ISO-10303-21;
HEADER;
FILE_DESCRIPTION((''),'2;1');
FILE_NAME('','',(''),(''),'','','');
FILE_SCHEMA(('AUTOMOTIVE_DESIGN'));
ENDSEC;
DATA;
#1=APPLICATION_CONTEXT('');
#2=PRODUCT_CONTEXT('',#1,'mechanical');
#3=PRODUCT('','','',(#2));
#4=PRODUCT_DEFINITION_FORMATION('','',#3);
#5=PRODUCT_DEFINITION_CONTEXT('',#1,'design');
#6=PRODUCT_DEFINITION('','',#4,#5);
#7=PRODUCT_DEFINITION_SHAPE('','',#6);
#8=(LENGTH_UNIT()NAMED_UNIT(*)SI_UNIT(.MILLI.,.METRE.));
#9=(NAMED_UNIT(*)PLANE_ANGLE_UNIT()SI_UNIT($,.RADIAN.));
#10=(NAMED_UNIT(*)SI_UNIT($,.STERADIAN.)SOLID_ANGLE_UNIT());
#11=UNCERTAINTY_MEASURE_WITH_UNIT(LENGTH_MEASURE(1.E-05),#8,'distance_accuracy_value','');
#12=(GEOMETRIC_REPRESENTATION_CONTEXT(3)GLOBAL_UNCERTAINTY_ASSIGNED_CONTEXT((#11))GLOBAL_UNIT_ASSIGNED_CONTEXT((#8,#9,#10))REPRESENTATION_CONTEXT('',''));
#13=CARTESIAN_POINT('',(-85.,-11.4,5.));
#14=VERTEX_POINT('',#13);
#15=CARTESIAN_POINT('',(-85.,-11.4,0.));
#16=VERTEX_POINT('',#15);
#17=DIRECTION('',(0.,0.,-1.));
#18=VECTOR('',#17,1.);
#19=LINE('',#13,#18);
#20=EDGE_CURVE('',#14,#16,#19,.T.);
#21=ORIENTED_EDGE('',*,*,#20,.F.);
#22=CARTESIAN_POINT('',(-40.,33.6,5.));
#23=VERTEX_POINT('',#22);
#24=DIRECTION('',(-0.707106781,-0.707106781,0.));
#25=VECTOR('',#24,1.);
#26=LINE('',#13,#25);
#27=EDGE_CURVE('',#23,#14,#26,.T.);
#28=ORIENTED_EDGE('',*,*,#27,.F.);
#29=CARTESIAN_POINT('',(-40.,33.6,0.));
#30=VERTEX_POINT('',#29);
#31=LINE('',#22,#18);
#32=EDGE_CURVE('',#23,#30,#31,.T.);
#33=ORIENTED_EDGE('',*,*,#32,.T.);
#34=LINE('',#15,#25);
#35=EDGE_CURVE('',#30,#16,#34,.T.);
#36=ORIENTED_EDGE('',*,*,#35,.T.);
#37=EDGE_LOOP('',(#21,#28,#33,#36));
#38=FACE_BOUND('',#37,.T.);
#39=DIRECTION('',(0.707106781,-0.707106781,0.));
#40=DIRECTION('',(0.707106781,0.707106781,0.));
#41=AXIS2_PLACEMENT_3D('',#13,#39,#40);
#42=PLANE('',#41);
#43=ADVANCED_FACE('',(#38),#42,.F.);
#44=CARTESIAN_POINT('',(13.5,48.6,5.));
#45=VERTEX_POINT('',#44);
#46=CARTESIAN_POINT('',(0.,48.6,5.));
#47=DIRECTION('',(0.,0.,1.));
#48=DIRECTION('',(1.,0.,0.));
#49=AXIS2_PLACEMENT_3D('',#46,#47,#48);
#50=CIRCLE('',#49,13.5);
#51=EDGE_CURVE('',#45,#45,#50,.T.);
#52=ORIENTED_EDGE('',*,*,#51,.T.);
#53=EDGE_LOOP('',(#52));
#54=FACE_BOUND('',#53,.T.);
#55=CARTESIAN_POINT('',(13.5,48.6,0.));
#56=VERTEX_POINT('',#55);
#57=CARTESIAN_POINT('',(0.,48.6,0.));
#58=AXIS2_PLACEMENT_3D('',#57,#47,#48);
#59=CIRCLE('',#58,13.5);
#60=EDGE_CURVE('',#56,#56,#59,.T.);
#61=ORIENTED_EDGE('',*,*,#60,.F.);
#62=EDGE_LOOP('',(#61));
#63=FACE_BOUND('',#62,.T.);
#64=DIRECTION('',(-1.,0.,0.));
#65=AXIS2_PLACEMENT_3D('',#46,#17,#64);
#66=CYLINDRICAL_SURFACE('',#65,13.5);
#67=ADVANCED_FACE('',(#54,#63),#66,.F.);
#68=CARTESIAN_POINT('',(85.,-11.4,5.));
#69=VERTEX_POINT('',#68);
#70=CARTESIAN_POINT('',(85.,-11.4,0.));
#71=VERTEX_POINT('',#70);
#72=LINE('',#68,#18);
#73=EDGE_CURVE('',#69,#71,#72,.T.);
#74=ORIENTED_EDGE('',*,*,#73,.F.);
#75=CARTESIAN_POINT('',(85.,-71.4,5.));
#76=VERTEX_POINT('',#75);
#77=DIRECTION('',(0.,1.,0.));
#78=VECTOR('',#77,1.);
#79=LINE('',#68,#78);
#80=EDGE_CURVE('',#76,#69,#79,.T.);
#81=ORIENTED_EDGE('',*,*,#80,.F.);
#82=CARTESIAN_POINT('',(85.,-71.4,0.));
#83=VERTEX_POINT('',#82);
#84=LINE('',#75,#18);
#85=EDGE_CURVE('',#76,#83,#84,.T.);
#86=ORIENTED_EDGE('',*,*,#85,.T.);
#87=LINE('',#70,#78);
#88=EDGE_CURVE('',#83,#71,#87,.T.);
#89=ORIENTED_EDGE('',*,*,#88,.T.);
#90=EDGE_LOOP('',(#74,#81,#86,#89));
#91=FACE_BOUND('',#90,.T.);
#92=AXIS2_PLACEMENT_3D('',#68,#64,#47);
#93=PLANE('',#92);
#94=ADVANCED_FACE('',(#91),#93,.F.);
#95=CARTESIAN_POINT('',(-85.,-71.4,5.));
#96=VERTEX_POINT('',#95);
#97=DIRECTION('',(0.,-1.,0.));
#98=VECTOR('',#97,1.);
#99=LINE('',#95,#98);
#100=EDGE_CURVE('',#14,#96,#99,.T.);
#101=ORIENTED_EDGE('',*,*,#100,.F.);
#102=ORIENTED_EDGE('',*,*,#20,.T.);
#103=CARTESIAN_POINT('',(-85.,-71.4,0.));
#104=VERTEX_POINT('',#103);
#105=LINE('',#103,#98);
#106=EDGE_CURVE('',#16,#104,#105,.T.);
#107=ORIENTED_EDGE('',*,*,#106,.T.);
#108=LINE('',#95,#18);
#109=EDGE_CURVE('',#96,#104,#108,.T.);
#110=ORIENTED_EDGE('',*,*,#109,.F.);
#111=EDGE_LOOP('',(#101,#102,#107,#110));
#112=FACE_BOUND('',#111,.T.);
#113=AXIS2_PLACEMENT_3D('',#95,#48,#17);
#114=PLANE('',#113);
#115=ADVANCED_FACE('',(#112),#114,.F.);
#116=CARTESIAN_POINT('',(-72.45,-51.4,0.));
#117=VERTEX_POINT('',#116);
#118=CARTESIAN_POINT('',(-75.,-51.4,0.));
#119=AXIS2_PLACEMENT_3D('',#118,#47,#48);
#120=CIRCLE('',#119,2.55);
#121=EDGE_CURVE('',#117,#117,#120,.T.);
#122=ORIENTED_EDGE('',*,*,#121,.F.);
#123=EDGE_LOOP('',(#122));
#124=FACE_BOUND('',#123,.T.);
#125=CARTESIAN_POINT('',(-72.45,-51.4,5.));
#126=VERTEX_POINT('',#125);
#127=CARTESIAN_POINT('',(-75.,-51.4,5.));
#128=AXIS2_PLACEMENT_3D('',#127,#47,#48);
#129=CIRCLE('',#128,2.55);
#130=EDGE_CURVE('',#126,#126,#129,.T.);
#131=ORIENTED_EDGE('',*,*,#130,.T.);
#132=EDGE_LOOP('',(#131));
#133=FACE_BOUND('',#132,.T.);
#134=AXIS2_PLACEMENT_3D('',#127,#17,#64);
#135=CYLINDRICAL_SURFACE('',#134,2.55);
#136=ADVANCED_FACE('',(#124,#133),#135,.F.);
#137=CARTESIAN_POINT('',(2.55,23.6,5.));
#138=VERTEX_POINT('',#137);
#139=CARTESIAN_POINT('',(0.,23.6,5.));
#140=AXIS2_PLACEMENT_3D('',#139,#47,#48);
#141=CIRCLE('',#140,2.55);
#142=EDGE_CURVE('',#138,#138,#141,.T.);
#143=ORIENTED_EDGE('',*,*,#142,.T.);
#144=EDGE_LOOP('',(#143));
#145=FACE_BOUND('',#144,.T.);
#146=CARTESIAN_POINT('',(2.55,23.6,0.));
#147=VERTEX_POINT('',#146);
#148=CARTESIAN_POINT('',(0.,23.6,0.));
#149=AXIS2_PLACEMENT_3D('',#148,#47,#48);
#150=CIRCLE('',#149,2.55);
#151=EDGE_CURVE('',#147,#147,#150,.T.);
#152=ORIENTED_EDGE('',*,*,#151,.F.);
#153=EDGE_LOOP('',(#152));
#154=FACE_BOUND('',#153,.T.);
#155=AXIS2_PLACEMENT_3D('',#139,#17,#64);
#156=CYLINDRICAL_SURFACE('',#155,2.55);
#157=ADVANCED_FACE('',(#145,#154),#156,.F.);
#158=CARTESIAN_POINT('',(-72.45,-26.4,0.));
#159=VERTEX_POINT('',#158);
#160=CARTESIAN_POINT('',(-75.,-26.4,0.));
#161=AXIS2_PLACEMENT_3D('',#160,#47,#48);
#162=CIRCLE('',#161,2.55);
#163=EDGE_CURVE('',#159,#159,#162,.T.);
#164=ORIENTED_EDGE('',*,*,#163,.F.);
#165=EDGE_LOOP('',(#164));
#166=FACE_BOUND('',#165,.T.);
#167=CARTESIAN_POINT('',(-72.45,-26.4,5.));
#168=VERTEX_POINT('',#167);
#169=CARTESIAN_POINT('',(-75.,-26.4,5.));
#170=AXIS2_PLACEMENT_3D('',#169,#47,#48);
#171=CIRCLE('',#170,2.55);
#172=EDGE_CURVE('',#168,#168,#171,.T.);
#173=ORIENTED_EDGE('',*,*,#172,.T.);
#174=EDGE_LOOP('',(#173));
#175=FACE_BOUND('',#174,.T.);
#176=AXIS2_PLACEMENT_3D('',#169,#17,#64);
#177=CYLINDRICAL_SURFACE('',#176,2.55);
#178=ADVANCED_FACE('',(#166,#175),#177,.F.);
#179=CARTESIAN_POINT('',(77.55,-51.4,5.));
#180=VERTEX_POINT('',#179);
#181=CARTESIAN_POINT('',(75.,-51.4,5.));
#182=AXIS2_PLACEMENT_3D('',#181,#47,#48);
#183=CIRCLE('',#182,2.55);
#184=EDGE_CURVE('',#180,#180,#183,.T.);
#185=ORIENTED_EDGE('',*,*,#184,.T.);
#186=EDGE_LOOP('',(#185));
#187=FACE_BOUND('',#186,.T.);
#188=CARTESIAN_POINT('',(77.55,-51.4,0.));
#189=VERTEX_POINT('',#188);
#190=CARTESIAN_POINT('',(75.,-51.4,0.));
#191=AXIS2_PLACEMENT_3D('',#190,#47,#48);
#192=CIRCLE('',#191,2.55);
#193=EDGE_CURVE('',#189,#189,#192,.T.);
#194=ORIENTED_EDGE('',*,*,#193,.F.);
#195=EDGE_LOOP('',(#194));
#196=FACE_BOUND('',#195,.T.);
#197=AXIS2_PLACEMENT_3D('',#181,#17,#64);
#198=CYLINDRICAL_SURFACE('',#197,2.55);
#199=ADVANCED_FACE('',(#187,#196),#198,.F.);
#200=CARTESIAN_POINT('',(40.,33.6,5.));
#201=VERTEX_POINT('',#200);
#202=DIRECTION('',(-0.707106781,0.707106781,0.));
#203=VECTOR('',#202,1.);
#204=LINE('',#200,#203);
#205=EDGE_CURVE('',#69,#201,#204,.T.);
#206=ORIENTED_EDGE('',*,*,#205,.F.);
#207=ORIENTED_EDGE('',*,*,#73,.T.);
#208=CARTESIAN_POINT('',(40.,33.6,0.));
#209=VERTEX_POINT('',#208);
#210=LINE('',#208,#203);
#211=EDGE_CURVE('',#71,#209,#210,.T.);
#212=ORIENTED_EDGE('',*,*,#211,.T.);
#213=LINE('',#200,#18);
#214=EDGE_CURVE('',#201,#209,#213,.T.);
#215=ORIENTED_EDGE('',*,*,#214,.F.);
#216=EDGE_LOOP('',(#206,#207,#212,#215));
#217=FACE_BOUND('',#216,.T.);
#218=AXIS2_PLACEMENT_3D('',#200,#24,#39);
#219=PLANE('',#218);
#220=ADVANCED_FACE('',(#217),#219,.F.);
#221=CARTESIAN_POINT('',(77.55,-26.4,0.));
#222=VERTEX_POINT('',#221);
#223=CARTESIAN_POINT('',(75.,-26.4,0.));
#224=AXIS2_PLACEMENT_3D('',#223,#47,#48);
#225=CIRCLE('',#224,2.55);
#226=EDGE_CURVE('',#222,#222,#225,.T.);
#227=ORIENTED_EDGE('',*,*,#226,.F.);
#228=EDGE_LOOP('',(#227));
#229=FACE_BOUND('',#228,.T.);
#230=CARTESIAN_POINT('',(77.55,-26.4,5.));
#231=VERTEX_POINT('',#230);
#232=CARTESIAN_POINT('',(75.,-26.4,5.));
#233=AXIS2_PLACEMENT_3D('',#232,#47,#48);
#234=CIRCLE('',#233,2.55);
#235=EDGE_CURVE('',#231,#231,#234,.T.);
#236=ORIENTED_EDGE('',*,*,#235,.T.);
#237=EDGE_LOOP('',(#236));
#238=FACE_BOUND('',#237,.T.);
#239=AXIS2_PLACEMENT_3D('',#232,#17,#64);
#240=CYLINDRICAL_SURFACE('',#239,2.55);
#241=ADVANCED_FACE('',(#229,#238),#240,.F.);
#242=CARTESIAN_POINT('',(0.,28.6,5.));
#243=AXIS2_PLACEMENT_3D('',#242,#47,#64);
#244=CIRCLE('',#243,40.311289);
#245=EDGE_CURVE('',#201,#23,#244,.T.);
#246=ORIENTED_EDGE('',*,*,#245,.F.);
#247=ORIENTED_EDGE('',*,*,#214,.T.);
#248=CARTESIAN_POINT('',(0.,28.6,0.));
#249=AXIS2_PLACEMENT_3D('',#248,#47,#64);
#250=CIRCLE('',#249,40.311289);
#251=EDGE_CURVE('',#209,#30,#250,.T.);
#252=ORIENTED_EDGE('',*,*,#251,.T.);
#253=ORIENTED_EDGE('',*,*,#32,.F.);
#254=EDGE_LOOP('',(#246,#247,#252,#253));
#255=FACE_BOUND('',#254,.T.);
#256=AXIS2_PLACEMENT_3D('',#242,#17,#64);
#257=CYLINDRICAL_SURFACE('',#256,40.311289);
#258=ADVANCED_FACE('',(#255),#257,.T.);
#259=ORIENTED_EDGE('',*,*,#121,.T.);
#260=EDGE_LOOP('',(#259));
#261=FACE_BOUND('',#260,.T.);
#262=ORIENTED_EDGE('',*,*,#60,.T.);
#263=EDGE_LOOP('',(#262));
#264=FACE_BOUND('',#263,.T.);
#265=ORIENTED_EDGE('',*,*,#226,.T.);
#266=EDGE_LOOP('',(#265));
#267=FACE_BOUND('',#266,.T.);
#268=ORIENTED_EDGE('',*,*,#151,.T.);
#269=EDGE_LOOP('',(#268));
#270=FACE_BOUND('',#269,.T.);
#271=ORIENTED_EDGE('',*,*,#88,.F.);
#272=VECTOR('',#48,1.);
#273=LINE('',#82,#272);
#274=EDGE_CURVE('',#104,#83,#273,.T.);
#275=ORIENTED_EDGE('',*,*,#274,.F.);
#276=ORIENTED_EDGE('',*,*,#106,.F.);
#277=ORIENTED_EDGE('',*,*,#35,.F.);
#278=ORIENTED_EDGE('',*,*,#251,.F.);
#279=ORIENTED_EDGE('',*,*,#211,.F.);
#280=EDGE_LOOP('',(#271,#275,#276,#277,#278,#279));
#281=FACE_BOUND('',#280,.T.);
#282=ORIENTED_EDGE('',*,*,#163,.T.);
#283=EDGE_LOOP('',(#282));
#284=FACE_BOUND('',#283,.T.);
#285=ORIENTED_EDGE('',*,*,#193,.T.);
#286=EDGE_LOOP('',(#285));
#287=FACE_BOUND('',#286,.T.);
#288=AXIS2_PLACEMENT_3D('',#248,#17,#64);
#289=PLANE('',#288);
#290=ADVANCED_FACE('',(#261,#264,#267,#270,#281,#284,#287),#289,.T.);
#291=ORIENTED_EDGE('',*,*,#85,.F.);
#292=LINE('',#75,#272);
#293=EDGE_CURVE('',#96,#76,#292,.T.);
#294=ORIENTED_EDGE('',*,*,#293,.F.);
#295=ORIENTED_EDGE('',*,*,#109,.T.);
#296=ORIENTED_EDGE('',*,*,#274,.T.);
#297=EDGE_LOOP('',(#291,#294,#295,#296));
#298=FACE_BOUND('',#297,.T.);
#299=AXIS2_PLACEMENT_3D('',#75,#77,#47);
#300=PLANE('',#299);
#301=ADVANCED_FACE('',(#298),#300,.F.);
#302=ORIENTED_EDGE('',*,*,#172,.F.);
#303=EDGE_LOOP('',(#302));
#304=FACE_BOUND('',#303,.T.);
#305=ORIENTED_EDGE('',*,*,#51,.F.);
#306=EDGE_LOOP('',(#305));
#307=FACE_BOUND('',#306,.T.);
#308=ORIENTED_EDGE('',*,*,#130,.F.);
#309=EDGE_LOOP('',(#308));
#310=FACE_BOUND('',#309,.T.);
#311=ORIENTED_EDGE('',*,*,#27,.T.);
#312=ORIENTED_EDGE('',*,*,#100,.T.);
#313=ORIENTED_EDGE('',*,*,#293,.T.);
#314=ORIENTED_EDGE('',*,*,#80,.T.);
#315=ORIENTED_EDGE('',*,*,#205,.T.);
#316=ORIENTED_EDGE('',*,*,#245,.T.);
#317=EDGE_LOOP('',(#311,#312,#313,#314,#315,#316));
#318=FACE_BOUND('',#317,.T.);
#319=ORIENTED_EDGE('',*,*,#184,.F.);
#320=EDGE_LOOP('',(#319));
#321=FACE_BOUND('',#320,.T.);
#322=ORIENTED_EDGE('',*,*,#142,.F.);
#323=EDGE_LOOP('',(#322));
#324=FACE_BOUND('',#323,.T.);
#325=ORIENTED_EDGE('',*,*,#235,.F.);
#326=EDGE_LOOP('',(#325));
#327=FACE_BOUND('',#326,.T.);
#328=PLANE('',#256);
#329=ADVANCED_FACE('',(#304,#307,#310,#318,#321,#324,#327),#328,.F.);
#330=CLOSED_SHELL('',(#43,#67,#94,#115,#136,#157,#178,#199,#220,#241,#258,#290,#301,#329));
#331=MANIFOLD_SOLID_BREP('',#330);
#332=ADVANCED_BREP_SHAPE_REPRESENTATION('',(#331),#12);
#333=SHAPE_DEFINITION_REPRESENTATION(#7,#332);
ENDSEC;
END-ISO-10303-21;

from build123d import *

# Parameters (mm, degrees)
SKETCH_1_R      = 2.55
SKETCH_1_R_2    = 13.5
EXTRUDE_1_DEPTH = 5


with BuildPart() as part:
    # ｽｹｯﾁ1 → ﾎﾞｽ - 押し出し1 (new body)
    with BuildSketch(Plane.XY):
        with BuildLine():
            Line((-85, -71.4), (-85, -11.4))
            Line((-85, -11.4), (-40, 33.6))
            ThreePointArc((-40, 33.6), (0, 68.911288741), (40, 33.6))
            Line((40, 33.6), (85, -11.4))
            Line((85, -11.4), (85, -71.4))
            Line((85, -71.4), (-85, -71.4))
        make_face()
        with Locations((75, -26.4)):
            Circle(SKETCH_1_R, mode=Mode.SUBTRACT)
        with Locations((75, -51.4)):
            Circle(SKETCH_1_R, mode=Mode.SUBTRACT)
        with Locations((-75, -26.4)):
            Circle(SKETCH_1_R, mode=Mode.SUBTRACT)
        with Locations((-75, -51.4)):
            Circle(SKETCH_1_R, mode=Mode.SUBTRACT)
        with Locations((0, 23.6)):
            Circle(SKETCH_1_R, mode=Mode.SUBTRACT)
        with Locations((0, 48.6)):
            Circle(SKETCH_1_R_2, mode=Mode.SUBTRACT)
    extrude(amount=EXTRUDE_1_DEPTH)


solid = part.part
